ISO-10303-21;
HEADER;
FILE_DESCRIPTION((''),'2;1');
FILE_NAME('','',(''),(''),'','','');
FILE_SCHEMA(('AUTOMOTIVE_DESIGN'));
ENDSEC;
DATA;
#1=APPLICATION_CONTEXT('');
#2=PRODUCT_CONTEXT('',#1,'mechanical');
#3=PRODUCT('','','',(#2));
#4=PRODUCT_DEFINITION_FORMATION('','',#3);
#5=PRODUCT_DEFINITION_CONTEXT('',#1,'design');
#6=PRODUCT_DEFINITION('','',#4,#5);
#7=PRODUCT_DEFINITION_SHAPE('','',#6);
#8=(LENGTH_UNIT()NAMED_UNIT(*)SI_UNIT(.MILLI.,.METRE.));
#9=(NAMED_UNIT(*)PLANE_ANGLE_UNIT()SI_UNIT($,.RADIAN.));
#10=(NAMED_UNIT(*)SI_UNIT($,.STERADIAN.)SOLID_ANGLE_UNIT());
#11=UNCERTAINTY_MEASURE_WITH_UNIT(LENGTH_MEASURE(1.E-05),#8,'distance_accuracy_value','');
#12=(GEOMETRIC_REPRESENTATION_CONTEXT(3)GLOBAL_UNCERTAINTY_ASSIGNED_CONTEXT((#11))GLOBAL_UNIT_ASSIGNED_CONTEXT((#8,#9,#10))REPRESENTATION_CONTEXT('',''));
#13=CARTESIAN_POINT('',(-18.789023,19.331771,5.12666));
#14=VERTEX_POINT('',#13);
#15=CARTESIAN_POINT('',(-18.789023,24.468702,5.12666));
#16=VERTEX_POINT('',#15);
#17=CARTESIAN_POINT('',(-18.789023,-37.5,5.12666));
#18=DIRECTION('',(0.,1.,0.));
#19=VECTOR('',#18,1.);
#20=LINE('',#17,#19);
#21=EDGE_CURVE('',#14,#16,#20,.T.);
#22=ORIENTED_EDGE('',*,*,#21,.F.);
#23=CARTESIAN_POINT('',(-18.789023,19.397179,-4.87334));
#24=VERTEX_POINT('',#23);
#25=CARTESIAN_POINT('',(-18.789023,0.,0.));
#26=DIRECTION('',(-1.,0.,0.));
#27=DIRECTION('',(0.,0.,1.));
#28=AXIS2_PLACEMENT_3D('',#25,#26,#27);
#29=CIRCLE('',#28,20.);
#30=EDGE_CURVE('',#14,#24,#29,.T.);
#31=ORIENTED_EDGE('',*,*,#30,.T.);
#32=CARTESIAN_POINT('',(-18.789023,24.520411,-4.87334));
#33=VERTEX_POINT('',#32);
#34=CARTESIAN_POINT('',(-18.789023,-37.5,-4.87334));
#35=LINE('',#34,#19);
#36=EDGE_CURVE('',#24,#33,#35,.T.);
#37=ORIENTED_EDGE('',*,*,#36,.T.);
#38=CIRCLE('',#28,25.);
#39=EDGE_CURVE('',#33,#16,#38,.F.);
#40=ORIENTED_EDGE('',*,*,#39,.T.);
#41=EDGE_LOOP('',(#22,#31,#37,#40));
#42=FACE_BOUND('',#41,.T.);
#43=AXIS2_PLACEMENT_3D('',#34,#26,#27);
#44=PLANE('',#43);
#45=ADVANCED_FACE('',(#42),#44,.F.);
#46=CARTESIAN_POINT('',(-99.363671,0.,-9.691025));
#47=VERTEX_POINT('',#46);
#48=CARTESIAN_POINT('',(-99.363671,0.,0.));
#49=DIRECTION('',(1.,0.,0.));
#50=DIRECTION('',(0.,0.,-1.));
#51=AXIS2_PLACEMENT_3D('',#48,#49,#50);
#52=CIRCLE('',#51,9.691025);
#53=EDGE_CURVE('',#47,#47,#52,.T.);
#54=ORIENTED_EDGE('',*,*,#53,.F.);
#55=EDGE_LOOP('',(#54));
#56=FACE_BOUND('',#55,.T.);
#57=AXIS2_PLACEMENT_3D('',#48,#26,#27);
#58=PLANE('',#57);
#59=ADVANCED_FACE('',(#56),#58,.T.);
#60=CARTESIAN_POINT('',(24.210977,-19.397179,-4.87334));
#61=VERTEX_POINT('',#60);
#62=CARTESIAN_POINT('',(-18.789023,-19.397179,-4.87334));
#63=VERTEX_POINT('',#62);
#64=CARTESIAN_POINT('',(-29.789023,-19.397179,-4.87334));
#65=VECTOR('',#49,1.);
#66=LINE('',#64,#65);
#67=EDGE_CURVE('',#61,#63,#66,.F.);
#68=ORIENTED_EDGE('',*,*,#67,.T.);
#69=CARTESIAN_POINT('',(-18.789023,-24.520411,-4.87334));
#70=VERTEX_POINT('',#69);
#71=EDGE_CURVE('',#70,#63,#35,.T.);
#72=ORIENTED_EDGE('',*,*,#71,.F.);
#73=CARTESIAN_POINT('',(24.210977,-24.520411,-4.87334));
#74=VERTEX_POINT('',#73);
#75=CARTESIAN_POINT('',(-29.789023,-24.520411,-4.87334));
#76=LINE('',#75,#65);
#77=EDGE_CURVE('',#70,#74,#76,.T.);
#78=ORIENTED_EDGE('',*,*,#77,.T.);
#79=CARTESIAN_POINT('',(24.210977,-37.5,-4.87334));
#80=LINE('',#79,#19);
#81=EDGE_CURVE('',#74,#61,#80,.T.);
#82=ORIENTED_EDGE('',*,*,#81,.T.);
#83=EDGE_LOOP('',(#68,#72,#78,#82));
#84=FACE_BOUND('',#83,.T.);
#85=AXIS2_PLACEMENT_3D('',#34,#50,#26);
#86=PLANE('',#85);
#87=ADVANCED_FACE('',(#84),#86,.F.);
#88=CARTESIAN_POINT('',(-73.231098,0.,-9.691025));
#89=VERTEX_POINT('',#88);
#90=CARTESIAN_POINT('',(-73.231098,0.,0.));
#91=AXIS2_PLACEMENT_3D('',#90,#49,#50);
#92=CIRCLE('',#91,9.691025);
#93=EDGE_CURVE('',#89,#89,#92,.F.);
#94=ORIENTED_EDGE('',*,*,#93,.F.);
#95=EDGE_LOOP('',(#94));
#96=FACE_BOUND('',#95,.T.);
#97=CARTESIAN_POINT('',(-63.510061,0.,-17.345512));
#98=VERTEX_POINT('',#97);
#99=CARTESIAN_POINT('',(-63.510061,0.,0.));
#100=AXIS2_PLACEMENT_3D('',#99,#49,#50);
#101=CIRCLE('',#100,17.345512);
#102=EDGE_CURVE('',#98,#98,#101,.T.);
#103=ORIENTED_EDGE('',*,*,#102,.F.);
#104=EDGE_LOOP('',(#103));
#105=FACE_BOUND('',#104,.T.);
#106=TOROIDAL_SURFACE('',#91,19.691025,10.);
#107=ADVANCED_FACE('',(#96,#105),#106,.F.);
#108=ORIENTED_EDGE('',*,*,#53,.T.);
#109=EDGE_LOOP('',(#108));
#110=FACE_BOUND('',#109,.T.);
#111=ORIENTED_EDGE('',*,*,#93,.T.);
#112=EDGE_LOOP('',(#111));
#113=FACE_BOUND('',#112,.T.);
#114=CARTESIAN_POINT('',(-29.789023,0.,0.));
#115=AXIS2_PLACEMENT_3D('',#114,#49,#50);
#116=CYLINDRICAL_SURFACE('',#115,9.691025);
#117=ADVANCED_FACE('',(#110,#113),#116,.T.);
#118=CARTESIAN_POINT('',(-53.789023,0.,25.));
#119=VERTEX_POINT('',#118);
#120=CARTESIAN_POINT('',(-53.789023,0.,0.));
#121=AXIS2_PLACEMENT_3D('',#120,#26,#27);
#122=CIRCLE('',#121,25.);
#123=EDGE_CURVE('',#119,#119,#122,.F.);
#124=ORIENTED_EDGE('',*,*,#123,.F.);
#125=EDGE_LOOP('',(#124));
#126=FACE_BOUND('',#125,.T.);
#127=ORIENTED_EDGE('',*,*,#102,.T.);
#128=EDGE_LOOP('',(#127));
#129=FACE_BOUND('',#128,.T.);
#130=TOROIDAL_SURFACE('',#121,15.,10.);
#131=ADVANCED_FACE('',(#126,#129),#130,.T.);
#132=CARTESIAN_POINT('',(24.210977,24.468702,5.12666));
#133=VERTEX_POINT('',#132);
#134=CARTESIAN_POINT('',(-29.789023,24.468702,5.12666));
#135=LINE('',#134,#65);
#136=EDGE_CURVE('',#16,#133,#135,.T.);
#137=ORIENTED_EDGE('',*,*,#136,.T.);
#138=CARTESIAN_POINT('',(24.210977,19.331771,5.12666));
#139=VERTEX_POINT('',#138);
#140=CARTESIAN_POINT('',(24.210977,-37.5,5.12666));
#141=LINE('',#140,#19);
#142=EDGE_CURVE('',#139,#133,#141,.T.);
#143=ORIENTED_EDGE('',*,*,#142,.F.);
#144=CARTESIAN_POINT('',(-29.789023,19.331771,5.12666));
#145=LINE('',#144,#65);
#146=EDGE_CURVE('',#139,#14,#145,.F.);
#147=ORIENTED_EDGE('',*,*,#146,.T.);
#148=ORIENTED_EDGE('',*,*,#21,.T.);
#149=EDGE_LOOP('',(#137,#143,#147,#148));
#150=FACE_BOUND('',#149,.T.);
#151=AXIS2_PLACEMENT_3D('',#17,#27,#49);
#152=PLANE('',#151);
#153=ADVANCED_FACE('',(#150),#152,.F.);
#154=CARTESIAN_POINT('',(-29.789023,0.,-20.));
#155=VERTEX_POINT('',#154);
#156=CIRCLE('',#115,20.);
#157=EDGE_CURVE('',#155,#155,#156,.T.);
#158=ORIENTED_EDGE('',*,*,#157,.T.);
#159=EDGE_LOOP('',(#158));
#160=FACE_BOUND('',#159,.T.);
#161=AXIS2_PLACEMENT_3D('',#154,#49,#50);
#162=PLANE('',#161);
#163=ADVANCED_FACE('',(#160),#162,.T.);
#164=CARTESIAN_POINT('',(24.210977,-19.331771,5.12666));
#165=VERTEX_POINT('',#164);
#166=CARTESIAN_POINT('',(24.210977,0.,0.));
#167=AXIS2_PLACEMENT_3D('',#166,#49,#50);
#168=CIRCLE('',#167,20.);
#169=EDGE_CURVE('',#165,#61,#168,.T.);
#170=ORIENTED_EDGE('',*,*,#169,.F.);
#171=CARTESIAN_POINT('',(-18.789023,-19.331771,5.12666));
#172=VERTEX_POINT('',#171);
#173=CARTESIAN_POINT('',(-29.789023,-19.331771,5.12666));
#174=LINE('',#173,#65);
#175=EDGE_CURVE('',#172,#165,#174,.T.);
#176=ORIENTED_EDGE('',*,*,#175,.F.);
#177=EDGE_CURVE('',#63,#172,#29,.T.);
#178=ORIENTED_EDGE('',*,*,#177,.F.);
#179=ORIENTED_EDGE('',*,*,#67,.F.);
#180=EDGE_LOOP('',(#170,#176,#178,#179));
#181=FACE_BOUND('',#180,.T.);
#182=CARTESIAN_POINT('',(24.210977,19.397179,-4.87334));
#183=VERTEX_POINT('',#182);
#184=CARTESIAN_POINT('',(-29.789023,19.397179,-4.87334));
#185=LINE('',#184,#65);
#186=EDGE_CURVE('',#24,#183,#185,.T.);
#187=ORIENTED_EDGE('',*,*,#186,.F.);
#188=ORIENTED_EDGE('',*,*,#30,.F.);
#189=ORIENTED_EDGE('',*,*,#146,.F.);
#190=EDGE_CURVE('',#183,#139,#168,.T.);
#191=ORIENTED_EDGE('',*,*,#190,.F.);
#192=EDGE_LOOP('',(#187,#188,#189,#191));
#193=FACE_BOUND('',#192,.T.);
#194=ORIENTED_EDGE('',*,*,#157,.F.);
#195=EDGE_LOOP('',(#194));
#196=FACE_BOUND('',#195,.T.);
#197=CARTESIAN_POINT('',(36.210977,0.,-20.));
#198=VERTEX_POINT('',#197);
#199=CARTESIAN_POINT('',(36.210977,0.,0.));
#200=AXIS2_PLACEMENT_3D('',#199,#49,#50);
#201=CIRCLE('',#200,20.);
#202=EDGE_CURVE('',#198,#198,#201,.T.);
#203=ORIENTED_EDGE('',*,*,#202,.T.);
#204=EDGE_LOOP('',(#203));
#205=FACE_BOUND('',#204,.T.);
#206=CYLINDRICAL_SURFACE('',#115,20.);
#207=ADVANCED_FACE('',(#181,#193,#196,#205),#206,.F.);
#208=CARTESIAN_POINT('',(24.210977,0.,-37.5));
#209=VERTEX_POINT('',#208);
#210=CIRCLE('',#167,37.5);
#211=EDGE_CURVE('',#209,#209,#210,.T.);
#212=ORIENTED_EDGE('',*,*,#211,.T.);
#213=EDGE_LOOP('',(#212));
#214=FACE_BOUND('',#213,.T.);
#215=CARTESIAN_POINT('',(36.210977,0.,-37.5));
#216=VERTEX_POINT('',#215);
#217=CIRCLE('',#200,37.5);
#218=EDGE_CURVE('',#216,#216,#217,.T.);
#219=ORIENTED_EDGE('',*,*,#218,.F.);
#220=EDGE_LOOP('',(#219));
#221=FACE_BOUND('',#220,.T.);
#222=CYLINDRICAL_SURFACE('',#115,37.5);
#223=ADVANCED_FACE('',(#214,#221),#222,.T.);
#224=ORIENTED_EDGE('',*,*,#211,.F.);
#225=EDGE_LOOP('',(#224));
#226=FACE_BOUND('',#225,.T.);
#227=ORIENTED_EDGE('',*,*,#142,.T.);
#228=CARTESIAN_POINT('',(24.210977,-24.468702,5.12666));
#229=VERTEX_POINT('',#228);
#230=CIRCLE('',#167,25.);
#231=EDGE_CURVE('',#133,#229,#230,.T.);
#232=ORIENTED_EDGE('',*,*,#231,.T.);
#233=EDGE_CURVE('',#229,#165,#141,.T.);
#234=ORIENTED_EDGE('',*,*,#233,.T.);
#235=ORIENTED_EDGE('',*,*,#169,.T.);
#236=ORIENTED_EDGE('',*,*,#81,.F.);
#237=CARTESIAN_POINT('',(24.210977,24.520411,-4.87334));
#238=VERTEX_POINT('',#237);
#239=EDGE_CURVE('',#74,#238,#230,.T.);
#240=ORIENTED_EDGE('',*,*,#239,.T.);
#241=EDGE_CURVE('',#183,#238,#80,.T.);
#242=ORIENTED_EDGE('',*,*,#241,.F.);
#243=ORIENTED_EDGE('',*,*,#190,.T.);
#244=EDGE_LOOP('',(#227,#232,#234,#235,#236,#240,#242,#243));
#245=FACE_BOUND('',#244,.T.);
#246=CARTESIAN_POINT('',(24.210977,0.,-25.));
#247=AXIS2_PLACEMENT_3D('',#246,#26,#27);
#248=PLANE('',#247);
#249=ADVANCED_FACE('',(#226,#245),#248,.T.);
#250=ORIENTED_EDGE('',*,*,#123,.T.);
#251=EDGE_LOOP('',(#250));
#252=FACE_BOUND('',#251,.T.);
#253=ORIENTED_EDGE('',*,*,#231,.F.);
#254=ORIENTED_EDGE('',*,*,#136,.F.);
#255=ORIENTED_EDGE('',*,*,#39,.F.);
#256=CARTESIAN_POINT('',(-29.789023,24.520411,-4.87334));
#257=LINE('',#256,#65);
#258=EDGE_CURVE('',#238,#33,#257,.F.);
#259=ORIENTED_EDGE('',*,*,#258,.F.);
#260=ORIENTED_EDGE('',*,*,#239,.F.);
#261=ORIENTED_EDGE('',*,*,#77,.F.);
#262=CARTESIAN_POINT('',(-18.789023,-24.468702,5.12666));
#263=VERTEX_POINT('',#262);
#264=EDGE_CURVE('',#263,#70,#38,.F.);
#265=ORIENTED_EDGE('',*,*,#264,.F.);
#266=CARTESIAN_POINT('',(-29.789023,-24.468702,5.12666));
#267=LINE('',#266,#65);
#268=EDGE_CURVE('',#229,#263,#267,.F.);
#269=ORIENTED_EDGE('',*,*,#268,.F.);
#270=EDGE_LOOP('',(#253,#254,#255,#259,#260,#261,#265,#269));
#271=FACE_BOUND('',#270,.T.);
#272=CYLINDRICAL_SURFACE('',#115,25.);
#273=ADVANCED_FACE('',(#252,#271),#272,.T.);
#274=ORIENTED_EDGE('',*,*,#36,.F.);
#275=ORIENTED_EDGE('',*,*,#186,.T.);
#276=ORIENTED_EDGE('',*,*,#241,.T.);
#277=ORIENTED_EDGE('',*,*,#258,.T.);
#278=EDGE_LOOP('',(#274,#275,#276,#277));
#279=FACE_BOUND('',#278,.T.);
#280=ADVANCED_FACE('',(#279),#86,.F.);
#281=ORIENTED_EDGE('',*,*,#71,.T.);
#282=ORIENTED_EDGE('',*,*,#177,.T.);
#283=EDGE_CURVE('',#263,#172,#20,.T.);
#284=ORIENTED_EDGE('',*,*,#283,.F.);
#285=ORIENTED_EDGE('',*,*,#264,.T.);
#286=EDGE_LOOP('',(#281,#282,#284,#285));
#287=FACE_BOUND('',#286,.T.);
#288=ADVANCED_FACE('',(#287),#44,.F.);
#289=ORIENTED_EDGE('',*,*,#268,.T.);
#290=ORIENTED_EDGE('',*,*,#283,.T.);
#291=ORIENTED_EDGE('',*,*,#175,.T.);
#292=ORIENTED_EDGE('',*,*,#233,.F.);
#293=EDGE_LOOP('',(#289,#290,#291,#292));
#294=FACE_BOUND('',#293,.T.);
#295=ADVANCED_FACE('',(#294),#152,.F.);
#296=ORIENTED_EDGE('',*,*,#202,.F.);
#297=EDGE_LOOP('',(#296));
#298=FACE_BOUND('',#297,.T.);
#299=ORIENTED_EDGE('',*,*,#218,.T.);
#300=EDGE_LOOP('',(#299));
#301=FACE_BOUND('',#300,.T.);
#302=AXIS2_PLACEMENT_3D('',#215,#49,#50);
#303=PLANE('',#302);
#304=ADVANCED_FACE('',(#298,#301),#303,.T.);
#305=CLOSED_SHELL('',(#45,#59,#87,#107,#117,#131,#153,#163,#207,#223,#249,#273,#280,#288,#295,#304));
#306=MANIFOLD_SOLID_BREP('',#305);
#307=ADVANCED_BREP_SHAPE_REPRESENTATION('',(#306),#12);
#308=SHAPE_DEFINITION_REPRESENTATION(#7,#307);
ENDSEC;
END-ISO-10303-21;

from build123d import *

# Parameters (mm, degrees)
FILLET1_R               = 10
FILLET2_R               = 10
CUT_EXTRUDE1_DEPTH      = 113.630542396
CUT_EXTRUDE1_DEPTH_BACK = 113.630542396
SKETCH2_W               = 43
SKETCH2_H               = 10


with BuildPart() as part:
    # Sketch1 → Revolve1 (revolve)
    with BuildSketch(Plane(origin=(0, 0, 0), x_dir=(1, 0, 0), z_dir=(0, 1, 0))):
        Polygon((-99.363670728, 9.691024676), (-63.789023183, 9.691024676), (-63.789023183, 25), (24.210976817, 25), (24.210976817, 37.5), (36.210976817, 37.5), (36.210976817, 20), (-29.789023183, 20), (-29.789023183, 0), (-99.363670728, 0), align=None)
    revolve(axis=Axis((-29.789023183, 0, 0), (-1, 0, 0)))

    # Fillet1
    fillet1_edges = [part.edges().sort_by_distance(p)[0] for p in [
        (-63.789023183, 0, 25),
    ]]
    fillet(fillet1_edges, radius=FILLET1_R)

    # Fillet2
    fillet2_edges = [part.edges().sort_by_distance(p)[0] for p in [
        (-63.789023183, 0, 9.691024676),
    ]]
    fillet(fillet2_edges, radius=FILLET2_R)

    # Sketch2 → Cut-Extrude1 (cut, two sides: drawn at the far end of the back side and taken through both)
    with BuildSketch(Plane(origin=(0, 0, 0), x_dir=(1, 0, 0), z_dir=(0, 1, 0)).offset(-CUT_EXTRUDE1_DEPTH_BACK)):
        with Locations((2.710976817, -0.126659564)):
            Rectangle(SKETCH2_W, SKETCH2_H)
    extrude(amount=CUT_EXTRUDE1_DEPTH + CUT_EXTRUDE1_DEPTH_BACK, mode=Mode.SUBTRACT)


solid = part.part
